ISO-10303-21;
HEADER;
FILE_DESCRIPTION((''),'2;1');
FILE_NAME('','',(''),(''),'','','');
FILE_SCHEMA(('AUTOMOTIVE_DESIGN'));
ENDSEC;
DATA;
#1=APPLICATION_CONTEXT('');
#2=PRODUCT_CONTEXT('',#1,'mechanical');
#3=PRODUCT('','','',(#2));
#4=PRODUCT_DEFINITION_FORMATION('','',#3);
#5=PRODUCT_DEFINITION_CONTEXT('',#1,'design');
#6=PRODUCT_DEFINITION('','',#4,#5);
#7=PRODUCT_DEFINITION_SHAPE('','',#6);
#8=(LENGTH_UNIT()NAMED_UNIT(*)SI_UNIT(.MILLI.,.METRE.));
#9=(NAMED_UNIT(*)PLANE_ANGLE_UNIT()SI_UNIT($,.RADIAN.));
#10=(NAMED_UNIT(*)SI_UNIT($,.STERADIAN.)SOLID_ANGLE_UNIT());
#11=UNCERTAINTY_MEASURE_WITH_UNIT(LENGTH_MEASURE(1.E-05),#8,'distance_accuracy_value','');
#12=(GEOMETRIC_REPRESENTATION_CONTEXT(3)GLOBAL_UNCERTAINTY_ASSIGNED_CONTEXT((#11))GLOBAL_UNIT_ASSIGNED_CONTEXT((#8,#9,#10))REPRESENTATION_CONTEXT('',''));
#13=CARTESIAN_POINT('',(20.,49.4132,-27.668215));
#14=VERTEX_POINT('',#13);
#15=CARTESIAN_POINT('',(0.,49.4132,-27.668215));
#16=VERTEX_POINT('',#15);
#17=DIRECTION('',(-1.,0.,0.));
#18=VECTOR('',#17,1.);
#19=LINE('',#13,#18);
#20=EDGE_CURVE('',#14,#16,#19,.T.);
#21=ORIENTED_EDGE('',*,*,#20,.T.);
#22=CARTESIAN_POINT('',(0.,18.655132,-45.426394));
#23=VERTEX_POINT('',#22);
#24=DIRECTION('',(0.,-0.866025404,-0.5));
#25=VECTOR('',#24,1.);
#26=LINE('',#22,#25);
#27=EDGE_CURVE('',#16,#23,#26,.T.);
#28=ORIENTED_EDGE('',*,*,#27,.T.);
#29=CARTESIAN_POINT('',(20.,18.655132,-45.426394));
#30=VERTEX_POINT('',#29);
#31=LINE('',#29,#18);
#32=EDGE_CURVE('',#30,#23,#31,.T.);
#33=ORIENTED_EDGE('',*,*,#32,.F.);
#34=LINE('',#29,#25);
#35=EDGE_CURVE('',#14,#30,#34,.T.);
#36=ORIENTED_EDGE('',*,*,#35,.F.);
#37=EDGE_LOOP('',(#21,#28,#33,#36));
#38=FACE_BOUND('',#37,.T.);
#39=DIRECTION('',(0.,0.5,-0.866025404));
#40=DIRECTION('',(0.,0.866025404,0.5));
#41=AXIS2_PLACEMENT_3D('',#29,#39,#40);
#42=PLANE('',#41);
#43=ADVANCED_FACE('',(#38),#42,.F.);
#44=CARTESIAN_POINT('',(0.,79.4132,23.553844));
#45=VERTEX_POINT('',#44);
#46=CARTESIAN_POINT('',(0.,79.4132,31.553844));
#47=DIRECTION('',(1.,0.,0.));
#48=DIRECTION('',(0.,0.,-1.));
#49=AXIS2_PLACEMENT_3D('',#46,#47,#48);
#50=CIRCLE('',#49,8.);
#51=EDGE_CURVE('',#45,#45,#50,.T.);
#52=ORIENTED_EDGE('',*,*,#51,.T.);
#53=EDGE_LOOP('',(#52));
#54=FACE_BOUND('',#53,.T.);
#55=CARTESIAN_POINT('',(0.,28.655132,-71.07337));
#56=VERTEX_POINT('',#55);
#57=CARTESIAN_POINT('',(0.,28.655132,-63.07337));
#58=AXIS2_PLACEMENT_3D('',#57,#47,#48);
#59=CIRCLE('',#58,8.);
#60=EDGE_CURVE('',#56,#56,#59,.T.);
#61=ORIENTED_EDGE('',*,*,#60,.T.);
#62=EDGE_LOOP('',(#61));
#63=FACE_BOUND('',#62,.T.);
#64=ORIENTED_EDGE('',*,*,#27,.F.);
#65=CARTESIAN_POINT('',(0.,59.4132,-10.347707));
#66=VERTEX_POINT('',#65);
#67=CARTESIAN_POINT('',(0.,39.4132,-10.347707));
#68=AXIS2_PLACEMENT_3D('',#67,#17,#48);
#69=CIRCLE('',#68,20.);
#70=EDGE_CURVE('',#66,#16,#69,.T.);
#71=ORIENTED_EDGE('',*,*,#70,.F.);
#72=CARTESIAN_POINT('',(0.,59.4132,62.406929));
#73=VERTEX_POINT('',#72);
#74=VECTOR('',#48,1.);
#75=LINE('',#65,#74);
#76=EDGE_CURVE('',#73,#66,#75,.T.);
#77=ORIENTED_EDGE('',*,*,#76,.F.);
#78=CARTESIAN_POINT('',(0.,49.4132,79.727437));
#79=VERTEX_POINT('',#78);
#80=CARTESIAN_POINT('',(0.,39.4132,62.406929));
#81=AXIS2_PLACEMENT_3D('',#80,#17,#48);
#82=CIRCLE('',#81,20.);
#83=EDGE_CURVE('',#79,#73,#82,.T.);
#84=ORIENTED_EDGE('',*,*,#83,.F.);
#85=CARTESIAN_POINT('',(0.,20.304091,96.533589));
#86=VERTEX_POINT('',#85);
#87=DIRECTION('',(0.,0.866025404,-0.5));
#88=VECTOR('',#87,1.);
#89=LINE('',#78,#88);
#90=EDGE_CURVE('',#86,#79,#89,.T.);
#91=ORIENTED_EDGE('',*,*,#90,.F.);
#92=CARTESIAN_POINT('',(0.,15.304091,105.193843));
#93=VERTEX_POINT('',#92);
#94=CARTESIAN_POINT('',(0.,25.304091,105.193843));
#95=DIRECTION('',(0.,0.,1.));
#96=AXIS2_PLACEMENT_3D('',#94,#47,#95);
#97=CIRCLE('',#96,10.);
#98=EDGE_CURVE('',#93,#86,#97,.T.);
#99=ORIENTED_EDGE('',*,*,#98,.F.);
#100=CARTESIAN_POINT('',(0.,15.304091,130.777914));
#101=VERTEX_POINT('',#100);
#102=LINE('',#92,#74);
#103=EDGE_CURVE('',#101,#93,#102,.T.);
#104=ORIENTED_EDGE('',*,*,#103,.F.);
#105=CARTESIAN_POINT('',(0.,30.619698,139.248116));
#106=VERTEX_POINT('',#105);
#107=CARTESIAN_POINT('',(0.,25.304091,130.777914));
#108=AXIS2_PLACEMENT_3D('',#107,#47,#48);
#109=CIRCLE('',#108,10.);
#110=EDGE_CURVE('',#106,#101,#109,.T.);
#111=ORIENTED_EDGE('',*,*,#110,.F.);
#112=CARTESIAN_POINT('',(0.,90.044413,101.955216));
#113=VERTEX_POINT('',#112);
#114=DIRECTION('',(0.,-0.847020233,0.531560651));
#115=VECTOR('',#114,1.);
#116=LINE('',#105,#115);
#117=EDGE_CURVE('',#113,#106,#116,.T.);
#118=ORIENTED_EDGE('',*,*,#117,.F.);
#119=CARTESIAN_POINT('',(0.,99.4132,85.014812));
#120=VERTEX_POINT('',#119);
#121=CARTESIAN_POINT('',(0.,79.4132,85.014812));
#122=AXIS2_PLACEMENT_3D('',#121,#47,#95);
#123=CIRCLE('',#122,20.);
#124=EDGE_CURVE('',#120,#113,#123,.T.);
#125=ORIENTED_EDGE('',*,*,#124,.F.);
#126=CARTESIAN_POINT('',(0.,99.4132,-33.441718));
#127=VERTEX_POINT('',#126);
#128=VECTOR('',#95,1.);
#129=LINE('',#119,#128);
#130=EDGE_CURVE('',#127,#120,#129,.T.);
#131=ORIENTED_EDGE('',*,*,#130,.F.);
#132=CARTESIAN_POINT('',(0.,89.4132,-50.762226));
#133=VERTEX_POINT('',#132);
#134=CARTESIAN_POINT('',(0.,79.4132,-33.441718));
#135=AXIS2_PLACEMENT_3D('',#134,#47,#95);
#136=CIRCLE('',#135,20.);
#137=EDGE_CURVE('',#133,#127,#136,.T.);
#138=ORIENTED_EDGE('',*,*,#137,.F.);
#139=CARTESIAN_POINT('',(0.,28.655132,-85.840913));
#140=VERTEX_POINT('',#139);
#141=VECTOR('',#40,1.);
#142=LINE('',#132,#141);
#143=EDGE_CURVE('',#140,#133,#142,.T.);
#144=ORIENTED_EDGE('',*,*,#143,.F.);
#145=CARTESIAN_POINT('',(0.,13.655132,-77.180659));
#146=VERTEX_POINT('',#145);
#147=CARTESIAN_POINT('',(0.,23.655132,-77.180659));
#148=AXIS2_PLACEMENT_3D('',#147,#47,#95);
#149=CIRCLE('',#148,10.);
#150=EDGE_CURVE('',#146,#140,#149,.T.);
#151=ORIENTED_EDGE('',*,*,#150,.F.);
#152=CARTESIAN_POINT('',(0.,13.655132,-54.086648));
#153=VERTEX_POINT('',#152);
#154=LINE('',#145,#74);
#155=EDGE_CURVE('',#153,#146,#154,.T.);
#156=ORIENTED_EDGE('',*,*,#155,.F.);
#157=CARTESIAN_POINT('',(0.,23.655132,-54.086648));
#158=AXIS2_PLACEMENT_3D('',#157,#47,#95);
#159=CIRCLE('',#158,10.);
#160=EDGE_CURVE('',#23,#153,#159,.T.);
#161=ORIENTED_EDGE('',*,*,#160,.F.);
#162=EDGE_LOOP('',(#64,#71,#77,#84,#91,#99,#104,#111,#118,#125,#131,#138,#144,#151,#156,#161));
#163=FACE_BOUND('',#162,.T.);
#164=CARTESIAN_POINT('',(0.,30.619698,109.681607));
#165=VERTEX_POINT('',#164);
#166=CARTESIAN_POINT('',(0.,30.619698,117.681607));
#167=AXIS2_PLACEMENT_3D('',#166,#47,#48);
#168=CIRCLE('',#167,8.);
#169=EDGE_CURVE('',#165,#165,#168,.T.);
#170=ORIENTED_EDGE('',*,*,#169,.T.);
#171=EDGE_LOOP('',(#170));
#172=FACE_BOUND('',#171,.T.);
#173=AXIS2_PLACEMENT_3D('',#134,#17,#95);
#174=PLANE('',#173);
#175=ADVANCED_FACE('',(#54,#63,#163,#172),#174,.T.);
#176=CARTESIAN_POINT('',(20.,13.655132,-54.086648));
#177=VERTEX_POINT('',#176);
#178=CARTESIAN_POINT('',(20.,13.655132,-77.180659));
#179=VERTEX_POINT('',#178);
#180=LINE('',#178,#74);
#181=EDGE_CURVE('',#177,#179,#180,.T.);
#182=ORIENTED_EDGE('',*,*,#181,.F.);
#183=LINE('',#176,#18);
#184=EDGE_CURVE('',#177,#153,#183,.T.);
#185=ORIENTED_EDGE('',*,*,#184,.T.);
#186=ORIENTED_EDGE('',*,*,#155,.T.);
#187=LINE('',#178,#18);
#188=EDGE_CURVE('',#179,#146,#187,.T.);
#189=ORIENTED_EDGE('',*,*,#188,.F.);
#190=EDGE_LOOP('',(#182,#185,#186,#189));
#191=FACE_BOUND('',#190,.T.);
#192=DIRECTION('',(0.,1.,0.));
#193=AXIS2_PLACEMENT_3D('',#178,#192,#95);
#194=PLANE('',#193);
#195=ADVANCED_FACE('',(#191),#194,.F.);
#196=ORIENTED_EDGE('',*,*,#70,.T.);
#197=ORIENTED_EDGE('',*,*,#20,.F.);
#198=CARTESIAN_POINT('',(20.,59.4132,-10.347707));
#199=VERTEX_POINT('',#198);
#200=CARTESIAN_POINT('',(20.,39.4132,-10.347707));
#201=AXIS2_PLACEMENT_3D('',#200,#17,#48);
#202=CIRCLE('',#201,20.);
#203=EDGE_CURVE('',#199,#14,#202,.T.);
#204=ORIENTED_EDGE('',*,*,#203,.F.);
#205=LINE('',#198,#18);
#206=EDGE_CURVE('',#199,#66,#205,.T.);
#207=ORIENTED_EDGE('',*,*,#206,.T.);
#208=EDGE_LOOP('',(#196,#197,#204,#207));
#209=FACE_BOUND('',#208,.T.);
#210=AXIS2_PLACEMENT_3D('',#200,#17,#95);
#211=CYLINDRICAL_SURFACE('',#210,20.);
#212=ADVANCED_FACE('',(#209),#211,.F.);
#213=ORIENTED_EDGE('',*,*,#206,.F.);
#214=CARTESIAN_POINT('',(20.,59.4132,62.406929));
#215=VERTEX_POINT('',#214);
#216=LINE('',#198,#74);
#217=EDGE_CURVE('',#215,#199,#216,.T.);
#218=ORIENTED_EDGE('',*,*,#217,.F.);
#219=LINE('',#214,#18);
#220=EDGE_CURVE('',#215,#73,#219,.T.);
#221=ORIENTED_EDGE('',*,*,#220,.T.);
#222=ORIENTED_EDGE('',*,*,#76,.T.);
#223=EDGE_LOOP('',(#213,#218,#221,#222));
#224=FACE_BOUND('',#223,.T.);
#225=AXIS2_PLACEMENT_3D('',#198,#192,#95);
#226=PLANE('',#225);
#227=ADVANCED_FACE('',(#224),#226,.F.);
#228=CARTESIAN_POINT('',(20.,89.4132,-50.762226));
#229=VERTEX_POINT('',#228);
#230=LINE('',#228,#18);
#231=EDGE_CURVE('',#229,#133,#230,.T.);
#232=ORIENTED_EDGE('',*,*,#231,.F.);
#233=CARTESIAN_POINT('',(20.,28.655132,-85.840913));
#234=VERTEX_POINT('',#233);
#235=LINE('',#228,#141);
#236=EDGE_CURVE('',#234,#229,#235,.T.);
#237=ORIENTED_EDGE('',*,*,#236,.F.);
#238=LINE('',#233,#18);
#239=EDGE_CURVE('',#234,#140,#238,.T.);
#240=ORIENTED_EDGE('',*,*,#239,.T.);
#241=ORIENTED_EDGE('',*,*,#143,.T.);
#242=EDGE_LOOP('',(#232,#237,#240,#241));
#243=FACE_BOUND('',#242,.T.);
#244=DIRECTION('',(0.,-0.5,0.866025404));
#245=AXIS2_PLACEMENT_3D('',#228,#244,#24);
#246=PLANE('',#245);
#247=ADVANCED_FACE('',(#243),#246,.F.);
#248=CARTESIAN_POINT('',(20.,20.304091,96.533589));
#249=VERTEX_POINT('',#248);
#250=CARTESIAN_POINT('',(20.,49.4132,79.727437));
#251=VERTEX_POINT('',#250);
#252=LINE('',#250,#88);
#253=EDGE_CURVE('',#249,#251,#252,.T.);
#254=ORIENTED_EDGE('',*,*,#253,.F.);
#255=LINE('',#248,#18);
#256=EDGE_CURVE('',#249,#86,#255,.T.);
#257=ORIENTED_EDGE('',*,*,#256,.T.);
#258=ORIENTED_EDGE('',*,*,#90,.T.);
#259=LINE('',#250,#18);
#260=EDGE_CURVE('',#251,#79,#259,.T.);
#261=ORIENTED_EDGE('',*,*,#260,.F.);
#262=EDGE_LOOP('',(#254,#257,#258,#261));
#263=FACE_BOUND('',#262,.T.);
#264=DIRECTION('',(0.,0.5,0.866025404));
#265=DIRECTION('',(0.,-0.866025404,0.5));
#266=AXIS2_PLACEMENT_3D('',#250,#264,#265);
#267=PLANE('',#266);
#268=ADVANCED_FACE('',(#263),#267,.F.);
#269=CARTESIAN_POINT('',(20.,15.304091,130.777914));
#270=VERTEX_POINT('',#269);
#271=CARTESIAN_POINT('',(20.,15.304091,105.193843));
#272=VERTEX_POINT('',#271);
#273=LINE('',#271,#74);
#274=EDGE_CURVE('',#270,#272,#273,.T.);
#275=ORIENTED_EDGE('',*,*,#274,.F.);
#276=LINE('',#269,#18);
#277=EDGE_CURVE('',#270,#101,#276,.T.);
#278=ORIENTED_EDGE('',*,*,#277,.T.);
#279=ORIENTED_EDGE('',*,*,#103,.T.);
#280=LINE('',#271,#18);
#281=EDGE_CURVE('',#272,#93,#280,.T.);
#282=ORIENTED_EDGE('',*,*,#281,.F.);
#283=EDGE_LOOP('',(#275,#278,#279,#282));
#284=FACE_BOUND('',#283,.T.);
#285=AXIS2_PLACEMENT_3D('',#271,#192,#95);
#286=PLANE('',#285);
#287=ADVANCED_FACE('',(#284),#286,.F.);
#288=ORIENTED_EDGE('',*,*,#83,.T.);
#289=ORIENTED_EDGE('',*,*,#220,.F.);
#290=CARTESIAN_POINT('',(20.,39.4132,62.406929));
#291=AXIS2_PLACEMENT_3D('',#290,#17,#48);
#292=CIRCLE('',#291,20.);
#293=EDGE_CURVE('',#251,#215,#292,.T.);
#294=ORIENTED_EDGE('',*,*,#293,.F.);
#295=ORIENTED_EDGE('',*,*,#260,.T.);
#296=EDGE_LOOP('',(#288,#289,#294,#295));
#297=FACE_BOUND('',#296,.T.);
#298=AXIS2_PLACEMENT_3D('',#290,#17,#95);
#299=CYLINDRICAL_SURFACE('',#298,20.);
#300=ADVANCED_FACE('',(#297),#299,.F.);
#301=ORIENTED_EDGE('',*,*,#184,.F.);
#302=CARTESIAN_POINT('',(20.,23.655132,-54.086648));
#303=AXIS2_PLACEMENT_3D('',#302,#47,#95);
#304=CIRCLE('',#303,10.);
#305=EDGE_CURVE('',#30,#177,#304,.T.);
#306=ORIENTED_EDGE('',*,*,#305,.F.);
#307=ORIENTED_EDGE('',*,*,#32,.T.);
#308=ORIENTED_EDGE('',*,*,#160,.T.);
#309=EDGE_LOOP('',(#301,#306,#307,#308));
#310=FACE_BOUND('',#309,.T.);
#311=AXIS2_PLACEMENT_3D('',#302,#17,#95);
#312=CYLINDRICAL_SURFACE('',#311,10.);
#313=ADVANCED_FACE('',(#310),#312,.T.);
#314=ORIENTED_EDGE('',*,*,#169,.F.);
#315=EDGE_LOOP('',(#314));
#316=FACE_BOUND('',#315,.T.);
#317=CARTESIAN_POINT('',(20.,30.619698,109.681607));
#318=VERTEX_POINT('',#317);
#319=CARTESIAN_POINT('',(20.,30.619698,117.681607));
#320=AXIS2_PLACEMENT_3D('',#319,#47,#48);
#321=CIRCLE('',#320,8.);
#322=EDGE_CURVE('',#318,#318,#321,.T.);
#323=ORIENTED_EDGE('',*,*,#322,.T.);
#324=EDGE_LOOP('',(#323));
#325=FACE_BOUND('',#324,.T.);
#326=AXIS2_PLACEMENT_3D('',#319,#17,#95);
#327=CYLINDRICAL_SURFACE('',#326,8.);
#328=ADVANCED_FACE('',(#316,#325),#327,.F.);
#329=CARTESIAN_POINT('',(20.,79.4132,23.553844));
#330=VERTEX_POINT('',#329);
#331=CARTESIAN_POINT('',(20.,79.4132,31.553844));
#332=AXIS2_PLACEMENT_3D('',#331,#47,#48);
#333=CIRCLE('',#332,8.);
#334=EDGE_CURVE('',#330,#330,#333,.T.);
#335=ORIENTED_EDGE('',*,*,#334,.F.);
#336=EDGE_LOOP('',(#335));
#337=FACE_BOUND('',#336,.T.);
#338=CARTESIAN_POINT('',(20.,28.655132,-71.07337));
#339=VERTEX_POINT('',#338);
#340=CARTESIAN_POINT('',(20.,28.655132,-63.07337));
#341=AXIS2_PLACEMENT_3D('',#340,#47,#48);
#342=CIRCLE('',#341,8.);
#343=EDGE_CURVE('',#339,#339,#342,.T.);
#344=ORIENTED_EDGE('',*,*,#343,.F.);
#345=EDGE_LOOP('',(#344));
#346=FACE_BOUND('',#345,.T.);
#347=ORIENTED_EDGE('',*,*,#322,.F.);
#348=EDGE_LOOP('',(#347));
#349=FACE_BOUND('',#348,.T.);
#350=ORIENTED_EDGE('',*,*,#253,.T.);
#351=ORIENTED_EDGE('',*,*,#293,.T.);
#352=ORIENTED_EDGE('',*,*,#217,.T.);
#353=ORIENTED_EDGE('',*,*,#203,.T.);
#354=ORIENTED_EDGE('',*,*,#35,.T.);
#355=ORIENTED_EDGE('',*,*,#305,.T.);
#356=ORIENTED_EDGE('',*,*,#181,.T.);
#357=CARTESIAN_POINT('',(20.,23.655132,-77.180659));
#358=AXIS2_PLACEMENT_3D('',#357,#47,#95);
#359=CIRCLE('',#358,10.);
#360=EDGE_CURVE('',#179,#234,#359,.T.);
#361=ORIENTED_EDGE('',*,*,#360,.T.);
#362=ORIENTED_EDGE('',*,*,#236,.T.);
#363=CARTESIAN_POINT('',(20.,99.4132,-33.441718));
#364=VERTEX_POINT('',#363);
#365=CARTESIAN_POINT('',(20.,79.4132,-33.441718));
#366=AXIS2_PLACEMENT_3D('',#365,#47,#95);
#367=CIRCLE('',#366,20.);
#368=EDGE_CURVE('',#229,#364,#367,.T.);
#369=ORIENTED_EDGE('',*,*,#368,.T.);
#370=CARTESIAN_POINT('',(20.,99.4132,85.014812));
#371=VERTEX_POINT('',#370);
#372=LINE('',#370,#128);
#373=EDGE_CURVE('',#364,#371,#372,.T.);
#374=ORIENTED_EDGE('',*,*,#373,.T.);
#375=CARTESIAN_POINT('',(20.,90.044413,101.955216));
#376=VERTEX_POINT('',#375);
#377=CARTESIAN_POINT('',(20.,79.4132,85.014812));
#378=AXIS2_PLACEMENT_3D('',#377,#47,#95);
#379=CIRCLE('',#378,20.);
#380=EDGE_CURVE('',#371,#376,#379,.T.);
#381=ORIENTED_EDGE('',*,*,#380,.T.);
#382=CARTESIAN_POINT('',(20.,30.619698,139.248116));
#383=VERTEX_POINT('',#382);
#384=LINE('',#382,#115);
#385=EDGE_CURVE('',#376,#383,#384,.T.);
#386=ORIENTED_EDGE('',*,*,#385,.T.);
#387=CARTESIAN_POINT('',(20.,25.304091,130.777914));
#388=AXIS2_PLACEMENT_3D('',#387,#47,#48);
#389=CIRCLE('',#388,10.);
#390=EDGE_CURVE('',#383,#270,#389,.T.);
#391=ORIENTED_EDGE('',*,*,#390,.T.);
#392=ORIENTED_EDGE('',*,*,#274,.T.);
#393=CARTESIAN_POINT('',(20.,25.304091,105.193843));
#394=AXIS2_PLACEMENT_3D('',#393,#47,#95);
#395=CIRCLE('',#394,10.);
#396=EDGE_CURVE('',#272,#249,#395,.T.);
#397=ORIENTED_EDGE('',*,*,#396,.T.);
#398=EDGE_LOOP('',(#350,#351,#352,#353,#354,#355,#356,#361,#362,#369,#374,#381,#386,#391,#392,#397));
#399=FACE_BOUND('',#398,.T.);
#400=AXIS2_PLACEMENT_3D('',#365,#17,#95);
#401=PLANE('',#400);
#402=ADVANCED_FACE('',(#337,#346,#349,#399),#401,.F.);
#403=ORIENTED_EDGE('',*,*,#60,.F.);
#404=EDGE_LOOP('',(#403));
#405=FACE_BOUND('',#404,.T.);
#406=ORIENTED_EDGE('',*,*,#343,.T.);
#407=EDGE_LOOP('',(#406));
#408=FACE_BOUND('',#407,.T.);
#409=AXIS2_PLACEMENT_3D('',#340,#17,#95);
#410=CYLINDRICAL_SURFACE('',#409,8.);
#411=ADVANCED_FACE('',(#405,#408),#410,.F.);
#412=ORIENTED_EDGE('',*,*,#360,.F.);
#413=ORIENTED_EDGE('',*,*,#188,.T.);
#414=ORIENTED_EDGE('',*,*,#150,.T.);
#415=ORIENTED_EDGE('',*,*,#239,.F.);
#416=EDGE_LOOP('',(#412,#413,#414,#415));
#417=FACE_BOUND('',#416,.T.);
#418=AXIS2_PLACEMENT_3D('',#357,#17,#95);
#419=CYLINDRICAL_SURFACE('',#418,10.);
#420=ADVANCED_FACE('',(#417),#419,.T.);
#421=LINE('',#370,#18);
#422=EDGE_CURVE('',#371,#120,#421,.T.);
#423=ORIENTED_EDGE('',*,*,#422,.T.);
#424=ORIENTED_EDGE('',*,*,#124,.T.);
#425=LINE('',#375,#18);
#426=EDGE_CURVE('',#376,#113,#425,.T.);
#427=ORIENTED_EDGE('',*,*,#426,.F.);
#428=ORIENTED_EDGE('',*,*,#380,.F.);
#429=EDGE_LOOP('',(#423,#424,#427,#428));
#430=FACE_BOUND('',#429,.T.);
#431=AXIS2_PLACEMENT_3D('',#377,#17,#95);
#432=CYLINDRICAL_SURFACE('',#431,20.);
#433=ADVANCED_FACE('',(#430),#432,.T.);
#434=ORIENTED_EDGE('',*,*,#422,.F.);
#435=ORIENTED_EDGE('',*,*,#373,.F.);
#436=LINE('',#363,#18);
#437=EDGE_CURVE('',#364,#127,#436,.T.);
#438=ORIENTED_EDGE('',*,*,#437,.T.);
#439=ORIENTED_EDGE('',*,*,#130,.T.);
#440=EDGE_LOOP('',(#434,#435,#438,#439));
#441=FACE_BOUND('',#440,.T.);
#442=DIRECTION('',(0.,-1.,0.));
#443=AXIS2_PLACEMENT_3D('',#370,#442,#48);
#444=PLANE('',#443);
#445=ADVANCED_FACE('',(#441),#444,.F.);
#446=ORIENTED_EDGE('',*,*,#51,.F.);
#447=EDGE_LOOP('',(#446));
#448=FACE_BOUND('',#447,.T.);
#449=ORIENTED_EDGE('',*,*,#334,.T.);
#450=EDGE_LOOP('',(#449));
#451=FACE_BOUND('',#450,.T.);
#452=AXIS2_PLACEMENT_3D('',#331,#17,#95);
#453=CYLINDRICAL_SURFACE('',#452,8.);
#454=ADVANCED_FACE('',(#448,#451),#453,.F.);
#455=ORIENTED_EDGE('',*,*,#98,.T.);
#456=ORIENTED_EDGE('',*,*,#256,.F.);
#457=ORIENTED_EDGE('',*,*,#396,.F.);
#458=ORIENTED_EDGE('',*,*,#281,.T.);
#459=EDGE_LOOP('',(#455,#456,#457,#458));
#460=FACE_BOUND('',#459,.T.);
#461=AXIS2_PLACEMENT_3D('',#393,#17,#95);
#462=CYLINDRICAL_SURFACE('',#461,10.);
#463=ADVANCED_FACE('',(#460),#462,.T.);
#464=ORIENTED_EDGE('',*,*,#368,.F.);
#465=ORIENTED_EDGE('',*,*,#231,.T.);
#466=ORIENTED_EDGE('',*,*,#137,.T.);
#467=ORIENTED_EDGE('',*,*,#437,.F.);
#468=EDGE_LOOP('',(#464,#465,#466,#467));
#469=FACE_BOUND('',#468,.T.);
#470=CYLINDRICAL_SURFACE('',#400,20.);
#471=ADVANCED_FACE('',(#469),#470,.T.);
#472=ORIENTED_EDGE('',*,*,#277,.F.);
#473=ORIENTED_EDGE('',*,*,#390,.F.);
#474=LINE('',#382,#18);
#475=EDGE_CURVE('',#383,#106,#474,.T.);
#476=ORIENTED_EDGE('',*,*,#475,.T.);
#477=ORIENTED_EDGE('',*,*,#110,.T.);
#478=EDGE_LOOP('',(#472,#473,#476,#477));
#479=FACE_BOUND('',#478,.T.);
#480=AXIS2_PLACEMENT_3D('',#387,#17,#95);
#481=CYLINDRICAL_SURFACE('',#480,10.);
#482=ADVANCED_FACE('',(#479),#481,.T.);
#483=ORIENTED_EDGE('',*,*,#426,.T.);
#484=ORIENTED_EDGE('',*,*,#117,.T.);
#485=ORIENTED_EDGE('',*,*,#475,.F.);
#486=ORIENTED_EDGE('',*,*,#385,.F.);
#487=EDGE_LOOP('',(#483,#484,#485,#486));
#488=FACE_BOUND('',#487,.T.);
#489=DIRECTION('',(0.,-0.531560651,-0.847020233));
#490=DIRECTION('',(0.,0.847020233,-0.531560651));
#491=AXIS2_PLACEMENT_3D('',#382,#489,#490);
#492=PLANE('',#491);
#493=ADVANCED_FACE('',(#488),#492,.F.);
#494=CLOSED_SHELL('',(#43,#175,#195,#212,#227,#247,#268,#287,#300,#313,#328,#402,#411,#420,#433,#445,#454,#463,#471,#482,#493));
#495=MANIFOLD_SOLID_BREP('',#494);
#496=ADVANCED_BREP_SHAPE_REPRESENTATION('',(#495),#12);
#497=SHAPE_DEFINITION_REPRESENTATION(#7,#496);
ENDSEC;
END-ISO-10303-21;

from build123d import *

# Parameters (mm, degrees)
SKETCH1_R           = 8
BOSS_EXTRUDE1_DEPTH = 20


with BuildPart() as part:
    # Sketch1 → Boss-Extrude1 (new body)
    with BuildSketch(Plane(origin=(0, 0, 0), x_dir=(0, 0, -1), z_dir=(1, 0, 0))):
        with BuildLine():
            Line((-139.248116041, 30.619697735), (-101.955216425, 90.044413341))
            ThreePointArc((-101.955216425, 90.044413341), (-94.694061218, 96.914975381), (-85.014811773, 99.413200323))
            Line((-85.014811773, 99.413200323), (33.441717862, 99.413200323))
            ThreePointArc((33.441717862, 99.413200323), (43.441717862, 96.733708398), (50.762225937, 89.413200323))
            Line((50.762225937, 89.413200323), (85.840913151, 28.655131806))
            ThreePointArc((85.840913151, 28.655131806), (85.840913151, 18.655131806), (77.180659113, 13.655131806))
            Line((77.180659113, 13.655131806), (54.086648345, 13.655131806))
            ThreePointArc((54.086648345, 13.655131806), (49.086648345, 14.994877768), (45.426394308, 18.655131806))
            Line((45.426394308, 18.655131806), (27.66821517, 49.413200323))
            ThreePointArc((27.66821517, 49.413200323), (20.347707094, 56.733708398), (10.347707094, 59.413200323))
            Line((10.347707094, 59.413200323), (-62.406928949, 59.413200323))
            ThreePointArc((-62.406928949, 59.413200323), (-72.406928949, 56.733708398), (-79.727437025, 49.413200323))
            Line((-79.727437025, 49.413200323), (-96.533588998, 20.304091226))
            ThreePointArc((-96.533588998, 20.304091226), (-100.193843035, 16.643837188), (-105.193843035, 15.304091226))
            Line((-105.193843035, 15.304091226), (-130.777913715, 15.304091226))
            ThreePointArc((-130.777913715, 15.304091226), (-139.528801244, 20.464466504), (-139.248116041, 30.619697735))
        make_face()
        with Locations((-31.553843665, 79.413200323)):
            Circle(SKETCH1_R, mode=Mode.SUBTRACT)
        with Locations((-117.681607113, 30.619697735)):
            Circle(SKETCH1_R, mode=Mode.SUBTRACT)
        with Locations((63.073370123, 28.655131806)):
            Circle(SKETCH1_R, mode=Mode.SUBTRACT)
    extrude(amount=BOSS_EXTRUDE1_DEPTH)


solid = part.part
